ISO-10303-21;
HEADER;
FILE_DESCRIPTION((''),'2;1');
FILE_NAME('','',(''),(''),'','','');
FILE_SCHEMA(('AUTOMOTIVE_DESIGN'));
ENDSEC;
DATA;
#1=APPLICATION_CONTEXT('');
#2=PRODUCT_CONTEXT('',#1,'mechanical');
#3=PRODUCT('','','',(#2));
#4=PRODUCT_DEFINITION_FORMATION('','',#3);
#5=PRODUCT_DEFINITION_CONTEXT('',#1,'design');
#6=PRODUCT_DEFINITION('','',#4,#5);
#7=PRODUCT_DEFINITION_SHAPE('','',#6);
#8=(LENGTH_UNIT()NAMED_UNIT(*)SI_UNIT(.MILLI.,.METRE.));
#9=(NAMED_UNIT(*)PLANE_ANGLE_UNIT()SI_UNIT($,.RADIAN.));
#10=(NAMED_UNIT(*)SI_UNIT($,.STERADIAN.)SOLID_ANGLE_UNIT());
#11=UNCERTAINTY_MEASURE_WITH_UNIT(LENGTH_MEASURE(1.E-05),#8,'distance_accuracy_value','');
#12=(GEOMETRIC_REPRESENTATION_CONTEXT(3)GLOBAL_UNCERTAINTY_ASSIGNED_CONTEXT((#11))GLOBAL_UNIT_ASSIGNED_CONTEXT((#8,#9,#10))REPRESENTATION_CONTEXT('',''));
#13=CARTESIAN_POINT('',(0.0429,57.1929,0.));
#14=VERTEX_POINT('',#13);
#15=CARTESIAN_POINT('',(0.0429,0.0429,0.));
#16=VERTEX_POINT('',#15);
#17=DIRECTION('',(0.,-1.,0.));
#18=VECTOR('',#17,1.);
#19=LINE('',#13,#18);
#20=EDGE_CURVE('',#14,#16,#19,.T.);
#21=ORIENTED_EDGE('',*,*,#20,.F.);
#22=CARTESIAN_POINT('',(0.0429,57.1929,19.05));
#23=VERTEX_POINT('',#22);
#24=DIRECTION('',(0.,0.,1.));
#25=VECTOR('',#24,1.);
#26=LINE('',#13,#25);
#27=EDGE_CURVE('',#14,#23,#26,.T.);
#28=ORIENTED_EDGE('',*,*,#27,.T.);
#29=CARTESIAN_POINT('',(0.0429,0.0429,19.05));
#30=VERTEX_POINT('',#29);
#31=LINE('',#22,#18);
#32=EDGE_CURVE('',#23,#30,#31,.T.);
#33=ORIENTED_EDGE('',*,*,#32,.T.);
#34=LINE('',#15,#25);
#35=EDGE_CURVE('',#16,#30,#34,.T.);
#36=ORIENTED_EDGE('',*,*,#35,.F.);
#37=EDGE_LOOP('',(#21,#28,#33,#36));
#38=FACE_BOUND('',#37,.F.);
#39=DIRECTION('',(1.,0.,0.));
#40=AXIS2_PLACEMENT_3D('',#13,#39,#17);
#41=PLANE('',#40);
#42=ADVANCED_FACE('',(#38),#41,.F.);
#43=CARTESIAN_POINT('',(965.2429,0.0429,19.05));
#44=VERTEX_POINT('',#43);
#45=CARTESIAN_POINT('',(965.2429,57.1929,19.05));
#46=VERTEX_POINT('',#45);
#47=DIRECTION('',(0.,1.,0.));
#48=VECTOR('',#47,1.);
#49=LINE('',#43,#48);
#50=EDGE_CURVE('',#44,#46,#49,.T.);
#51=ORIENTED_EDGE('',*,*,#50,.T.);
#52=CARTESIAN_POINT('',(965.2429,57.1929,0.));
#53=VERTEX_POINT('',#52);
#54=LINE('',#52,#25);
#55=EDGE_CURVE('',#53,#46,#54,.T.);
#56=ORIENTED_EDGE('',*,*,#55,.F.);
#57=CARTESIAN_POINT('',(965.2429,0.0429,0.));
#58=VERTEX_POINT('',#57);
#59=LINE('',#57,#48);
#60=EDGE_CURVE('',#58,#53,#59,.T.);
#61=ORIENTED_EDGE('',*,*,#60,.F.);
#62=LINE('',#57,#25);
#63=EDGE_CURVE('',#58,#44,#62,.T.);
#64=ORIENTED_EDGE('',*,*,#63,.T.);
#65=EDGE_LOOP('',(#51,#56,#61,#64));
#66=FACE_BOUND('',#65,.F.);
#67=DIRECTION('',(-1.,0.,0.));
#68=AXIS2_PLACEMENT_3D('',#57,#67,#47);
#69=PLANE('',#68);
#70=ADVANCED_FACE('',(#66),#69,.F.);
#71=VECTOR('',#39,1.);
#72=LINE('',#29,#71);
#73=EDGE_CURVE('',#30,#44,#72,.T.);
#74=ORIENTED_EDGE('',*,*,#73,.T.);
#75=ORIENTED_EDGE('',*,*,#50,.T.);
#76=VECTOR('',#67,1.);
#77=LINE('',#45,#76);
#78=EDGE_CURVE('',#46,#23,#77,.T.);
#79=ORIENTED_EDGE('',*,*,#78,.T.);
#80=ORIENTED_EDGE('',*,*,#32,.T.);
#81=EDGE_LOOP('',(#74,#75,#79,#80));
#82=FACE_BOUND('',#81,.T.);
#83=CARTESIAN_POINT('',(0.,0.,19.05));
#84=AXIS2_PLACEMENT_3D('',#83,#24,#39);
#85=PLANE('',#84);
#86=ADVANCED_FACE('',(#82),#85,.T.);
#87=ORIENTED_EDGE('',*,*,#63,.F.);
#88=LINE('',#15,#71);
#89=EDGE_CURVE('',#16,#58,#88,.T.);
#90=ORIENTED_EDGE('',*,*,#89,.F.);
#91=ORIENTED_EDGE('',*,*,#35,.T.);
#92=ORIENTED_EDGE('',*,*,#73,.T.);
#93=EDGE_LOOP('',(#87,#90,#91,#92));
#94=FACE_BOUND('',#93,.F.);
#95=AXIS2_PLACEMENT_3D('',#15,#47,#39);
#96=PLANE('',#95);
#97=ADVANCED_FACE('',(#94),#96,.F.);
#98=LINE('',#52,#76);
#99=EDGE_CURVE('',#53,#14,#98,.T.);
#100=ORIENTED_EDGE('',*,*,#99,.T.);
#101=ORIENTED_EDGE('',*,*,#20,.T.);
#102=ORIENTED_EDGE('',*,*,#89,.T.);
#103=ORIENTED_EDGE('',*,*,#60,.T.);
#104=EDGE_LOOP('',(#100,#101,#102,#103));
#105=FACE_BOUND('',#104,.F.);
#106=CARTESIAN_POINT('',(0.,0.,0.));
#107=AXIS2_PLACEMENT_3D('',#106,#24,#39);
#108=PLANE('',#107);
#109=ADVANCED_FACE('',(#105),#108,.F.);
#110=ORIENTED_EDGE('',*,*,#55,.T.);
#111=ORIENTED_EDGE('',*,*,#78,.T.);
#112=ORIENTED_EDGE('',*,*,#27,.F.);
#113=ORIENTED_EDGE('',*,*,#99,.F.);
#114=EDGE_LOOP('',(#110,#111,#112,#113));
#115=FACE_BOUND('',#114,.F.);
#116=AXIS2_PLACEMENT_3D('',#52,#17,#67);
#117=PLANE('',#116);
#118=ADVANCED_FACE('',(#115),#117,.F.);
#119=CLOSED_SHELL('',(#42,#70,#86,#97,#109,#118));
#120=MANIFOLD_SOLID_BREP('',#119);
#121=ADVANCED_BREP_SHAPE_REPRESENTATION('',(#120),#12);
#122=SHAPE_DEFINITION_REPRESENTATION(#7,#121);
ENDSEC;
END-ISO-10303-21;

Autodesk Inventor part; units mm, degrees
ref_plane "YZ Plane" through (0, 0, 0) normal (1, 0, 0) x (0, 1, 0)
ref_plane "XZ Plane" through (0, 0, 0) normal (0, 1, 0) x (-1, 0, 0)
ref_plane "XY Plane" through (0, 0, 0) normal (0, 0, 1) x (1, 0, 0)
sketch "Sketch1" plane through (0, 0, 0) normal (0, 0, 1) x (1, 0, 0)
  line L0 (965.2429, 57.1929) -> (0.0429, 57.1929)
  line L1 (965.2429, 57.1929) -> (0.0429, 57.1929)
  line L2 (0.0429, 57.1929) -> (0.0429, 0.0429)
  line L3 (0.0429, 0.0429) -> (965.2429, 0.0429)
  line L4 (965.2429, 0.0429) -> (965.2429, 57.1929)
  point P0 (0, 0)
extrude "Extrusion1" add sketch "Sketch1" along normal blind 19.05
properties part number "nd-3"
